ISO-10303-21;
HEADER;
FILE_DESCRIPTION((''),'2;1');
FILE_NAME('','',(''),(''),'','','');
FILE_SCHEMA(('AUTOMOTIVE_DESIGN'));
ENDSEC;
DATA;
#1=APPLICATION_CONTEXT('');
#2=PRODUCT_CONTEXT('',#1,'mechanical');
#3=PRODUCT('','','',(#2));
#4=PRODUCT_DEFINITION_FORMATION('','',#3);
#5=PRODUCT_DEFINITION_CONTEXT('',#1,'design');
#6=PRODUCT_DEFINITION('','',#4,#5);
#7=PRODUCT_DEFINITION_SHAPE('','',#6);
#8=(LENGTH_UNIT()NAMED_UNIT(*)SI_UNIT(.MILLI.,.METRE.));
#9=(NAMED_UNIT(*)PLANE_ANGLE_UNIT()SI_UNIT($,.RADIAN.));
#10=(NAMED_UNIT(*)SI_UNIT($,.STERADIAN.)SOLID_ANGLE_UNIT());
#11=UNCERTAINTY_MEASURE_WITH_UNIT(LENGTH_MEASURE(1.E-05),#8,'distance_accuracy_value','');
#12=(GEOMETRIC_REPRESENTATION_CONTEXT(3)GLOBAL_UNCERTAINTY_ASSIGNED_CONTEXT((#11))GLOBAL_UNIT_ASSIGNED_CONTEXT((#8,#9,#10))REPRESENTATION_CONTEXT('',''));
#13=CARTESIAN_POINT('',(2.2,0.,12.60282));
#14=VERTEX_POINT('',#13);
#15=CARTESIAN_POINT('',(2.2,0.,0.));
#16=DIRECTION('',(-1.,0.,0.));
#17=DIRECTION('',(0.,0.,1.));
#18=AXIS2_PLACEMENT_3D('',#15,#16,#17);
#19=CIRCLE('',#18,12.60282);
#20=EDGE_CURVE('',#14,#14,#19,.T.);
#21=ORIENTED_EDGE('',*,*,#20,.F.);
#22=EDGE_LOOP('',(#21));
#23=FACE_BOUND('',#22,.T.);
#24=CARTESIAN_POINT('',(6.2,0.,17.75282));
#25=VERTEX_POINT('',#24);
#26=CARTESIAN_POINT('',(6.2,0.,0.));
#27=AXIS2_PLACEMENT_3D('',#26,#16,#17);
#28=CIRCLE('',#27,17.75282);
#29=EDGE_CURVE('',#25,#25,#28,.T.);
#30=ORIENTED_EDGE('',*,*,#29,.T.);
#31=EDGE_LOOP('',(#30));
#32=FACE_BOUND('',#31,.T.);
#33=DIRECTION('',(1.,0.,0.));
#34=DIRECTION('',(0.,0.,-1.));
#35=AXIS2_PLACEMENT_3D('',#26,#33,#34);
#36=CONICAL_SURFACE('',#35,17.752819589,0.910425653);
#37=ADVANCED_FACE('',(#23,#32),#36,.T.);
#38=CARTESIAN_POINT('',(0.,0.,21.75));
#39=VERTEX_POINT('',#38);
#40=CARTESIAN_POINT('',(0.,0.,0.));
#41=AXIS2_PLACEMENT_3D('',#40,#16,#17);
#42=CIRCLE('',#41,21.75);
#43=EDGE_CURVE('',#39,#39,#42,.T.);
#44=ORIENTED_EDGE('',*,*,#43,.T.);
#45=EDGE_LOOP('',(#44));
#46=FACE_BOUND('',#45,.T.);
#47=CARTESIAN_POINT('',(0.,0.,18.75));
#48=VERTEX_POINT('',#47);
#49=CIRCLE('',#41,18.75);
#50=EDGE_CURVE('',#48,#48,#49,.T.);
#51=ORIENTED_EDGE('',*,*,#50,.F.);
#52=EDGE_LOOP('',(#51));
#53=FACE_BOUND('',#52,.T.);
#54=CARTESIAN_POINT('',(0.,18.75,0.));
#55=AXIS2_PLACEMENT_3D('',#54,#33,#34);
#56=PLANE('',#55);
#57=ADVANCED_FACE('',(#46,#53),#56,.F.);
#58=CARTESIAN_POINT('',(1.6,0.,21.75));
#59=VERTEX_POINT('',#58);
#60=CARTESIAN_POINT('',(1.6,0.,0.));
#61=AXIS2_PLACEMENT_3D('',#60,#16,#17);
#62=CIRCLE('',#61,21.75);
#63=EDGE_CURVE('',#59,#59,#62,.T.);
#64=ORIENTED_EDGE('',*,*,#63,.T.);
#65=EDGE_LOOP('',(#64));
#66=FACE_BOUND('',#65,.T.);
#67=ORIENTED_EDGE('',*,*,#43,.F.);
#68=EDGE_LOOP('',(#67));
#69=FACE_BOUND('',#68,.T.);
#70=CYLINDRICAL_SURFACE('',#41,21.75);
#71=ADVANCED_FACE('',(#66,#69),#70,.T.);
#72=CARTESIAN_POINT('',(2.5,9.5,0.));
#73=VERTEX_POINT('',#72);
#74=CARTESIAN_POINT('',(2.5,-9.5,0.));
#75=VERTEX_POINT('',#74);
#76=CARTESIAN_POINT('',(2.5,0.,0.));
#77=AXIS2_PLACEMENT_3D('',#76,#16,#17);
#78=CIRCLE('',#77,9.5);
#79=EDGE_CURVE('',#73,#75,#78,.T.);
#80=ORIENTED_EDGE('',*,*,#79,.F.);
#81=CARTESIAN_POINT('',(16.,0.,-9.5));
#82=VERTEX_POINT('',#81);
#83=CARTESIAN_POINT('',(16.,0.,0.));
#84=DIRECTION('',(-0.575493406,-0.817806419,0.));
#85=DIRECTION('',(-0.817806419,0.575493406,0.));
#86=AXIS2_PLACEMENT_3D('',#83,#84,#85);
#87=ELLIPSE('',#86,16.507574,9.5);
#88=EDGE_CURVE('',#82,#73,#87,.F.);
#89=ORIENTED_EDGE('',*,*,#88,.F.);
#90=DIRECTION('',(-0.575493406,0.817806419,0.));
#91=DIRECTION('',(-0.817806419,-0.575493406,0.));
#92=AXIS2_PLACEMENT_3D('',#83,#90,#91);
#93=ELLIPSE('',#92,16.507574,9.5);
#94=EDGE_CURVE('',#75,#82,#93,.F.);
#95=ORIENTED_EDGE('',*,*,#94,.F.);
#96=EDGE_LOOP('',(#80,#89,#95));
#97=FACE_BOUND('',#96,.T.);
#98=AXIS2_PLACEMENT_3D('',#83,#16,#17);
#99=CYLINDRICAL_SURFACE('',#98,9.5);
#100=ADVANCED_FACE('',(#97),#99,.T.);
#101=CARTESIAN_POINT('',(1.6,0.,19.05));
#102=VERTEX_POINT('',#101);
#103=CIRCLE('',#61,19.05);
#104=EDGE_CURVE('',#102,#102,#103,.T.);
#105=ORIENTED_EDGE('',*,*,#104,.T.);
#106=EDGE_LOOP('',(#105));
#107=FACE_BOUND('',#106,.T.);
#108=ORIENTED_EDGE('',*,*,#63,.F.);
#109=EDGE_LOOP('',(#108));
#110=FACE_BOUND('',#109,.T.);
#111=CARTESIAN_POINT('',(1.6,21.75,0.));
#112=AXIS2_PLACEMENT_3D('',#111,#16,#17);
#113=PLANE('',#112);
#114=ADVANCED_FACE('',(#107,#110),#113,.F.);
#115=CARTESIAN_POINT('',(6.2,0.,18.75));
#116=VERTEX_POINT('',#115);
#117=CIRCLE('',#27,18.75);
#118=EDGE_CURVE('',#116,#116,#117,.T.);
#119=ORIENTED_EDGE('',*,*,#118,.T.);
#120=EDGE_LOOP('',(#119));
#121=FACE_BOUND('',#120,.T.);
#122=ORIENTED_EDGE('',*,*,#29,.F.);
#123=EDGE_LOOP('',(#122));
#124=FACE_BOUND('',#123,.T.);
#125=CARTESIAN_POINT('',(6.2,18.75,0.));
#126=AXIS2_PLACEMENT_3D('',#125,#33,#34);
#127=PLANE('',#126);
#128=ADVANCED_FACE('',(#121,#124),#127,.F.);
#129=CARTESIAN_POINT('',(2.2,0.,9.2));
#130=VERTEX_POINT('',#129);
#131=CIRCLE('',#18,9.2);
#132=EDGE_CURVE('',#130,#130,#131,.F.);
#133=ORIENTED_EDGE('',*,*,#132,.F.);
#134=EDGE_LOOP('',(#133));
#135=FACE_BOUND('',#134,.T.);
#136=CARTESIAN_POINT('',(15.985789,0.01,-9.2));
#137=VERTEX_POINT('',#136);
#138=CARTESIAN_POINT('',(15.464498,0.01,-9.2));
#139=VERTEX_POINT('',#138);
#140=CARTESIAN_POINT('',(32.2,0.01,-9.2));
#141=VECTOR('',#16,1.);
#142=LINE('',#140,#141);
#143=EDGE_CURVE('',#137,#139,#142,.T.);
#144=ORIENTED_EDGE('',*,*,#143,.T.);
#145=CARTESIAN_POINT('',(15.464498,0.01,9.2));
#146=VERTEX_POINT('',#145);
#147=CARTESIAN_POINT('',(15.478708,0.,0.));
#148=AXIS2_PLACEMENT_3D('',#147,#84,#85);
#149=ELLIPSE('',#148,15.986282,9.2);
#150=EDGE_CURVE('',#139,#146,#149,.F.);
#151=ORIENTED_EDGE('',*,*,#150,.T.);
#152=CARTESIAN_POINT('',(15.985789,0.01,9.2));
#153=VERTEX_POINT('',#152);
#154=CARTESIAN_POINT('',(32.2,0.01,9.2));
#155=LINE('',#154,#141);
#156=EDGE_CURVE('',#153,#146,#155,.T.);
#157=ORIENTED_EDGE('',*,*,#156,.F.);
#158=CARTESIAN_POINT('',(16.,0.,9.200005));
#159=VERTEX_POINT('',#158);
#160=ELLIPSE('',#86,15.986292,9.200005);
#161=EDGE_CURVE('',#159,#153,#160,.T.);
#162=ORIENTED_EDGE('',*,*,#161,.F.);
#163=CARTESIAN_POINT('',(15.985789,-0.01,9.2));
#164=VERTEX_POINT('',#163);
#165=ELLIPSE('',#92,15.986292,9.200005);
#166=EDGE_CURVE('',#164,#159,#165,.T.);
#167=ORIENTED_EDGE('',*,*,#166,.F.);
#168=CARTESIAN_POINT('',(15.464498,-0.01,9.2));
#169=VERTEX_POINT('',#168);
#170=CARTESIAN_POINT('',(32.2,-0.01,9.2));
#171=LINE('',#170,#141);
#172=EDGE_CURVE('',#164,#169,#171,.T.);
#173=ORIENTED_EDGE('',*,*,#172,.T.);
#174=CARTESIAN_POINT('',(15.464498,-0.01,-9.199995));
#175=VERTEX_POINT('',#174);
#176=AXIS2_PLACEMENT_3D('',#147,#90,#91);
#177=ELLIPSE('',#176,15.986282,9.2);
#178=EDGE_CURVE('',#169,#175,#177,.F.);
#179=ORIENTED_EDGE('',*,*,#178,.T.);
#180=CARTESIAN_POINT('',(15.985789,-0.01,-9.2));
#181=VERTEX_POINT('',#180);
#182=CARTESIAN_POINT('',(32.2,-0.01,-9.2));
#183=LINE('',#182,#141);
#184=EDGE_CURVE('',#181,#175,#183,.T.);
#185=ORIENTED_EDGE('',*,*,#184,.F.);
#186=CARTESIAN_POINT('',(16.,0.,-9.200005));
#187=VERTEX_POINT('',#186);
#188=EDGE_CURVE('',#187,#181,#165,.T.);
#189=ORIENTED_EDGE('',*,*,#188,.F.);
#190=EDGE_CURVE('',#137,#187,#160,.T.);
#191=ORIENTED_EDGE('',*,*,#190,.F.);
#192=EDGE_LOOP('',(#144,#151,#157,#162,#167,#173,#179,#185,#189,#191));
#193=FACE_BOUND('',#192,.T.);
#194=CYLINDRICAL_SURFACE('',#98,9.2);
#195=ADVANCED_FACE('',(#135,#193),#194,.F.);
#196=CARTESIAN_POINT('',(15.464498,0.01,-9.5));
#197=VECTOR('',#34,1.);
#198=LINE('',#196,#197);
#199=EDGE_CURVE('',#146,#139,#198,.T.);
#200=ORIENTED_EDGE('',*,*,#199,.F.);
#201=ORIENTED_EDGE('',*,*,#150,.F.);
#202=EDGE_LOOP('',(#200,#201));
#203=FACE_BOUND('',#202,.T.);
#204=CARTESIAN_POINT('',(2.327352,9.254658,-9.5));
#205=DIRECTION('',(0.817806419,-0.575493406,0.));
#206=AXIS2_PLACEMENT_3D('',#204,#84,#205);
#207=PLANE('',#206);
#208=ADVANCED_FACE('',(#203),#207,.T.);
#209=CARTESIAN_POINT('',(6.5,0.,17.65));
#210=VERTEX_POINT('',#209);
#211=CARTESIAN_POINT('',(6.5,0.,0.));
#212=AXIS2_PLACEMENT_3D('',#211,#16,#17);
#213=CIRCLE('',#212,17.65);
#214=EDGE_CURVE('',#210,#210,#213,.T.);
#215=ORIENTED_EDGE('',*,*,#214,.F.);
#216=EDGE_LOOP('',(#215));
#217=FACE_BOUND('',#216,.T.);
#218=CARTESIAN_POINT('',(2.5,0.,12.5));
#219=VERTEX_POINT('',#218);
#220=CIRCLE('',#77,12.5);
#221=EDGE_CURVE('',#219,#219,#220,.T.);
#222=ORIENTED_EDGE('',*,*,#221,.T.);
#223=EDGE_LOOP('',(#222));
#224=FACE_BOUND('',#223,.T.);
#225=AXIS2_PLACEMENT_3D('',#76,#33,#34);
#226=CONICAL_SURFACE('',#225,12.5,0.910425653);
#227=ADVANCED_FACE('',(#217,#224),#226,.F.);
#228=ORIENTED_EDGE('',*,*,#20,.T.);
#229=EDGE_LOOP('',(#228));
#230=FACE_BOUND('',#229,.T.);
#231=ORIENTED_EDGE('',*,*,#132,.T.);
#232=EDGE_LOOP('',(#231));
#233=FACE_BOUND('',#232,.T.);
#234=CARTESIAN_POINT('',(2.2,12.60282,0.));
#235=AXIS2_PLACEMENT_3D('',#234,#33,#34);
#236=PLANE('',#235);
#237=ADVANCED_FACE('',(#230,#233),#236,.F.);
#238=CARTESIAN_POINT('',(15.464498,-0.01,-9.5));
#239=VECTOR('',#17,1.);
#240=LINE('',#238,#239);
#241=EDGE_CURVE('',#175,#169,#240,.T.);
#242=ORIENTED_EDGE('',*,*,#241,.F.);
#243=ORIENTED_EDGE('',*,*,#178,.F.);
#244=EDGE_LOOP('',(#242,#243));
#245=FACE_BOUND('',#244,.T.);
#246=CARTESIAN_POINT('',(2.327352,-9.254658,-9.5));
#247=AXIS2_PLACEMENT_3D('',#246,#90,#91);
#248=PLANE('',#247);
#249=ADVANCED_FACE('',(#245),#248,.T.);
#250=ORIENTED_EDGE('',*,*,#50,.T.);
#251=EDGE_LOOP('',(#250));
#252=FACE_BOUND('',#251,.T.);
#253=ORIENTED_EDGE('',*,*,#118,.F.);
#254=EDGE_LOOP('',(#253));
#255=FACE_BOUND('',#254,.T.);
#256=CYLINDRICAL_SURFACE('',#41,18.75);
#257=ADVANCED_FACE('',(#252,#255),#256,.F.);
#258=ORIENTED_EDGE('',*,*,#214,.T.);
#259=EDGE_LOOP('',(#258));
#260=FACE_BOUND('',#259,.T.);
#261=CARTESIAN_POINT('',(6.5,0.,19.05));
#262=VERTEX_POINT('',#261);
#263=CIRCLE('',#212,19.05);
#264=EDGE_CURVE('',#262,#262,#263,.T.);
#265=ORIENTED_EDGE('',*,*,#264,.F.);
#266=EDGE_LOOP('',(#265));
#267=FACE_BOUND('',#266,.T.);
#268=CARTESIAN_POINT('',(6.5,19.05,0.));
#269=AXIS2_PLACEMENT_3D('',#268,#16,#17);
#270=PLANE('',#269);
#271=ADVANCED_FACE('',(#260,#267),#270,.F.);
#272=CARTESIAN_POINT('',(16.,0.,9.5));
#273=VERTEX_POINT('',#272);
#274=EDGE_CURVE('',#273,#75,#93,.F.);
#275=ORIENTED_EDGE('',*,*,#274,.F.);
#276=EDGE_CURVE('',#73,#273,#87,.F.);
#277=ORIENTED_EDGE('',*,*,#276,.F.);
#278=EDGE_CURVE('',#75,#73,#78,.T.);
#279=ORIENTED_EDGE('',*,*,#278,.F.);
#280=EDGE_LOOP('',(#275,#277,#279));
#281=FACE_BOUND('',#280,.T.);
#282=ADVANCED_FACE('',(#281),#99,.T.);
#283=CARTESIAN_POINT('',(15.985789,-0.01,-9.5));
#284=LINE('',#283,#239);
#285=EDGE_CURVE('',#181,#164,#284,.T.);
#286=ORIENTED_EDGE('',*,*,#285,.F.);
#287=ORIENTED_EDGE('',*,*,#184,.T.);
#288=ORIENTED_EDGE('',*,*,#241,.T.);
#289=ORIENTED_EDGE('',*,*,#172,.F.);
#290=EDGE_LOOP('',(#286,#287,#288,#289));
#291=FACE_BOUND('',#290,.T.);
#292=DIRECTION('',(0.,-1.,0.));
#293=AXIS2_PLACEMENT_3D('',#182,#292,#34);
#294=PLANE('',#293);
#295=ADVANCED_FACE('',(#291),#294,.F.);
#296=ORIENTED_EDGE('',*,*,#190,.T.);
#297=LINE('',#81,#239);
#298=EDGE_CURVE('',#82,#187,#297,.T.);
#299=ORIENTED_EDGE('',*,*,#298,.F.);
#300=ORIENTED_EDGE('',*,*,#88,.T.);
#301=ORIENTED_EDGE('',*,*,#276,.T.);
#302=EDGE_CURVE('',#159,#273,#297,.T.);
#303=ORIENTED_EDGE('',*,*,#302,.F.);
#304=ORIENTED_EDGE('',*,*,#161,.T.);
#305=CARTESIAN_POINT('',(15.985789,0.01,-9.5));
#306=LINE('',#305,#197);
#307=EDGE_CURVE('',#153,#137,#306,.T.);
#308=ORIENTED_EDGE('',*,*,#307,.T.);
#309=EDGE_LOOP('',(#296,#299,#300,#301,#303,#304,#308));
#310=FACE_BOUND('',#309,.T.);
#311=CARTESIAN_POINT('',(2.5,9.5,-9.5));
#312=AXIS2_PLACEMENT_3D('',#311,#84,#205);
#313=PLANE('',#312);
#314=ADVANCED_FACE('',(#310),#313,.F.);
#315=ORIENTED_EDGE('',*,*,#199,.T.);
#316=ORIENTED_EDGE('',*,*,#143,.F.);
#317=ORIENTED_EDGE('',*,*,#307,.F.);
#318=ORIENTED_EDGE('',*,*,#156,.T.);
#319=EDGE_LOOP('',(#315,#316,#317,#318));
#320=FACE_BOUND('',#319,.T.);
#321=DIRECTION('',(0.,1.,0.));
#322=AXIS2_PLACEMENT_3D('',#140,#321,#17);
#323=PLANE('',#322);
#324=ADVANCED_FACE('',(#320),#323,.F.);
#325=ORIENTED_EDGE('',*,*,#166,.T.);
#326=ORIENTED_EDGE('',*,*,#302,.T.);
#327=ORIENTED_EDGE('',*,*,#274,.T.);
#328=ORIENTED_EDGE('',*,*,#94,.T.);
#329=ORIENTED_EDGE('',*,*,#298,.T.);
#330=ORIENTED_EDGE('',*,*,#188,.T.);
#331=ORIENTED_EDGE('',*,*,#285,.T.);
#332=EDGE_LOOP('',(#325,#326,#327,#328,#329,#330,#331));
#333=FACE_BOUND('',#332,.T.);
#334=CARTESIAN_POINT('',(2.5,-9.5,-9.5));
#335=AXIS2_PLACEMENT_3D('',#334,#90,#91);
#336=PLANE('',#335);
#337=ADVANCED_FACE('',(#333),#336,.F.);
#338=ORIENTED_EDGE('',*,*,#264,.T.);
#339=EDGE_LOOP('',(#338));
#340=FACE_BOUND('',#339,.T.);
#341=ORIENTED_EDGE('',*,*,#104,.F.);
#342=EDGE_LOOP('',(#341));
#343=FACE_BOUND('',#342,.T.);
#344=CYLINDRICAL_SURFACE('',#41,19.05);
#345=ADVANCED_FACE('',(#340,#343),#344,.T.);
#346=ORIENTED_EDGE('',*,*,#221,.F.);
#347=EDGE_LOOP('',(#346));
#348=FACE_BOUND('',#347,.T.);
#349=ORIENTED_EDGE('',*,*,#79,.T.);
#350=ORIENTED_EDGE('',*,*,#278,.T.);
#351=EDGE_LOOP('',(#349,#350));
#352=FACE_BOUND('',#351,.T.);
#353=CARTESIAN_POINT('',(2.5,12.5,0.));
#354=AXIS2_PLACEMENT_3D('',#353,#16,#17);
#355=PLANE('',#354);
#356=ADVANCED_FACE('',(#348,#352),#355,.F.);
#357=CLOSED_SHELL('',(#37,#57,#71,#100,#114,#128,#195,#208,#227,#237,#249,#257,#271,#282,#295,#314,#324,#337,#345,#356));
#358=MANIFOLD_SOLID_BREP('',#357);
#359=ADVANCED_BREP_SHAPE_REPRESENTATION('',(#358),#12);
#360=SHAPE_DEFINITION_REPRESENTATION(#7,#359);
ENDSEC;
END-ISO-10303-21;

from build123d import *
from build123d.topology import SkipClean

# Parameters (mm, degrees)
SKETCH3_R               = 9.5
BOSS_EXTRUDE1_DEPTH     = 16
CUT_EXTRUDE1_DEPTH      = 21.892582416
CUT_EXTRUDE1_DEPTH_BACK = 21.892582416
SHELL7_T                = -0.3
SKETCH8_R               = 10.705762979
CUT_EXTRUDE5_DEPTH      = 10
CUT_EXTRUDE6_DEPTH      = 30


with BuildPart() as part:
    # Sketch3 → Boss-Extrude1 (new body)
    with BuildSketch(Plane.ZY):
        Circle(SKETCH3_R)
    extrude(amount=-BOSS_EXTRUDE1_DEPTH)

    # Sketch4 → Cut-Extrude1 (cut, two sides: drawn at the far end of the back side and taken through both)
    with BuildSketch(Plane.XY.offset(-CUT_EXTRUDE1_DEPTH_BACK)):
        Polygon((2.5, 9.5), (18.05891099, 17.267926144), (18.05891099, -17.267926144), (2.5, -9.5), (16, 0), align=None)
    extrude(amount=CUT_EXTRUDE1_DEPTH + CUT_EXTRUDE1_DEPTH_BACK, mode=Mode.SUBTRACT)

    # Shell7
    shell7_openings = [part.faces().sort_by_distance(p)[0] for p in [
        (0, 0, 0),
    ]]
    offset(amount=SHELL7_T, openings=shell7_openings, kind=Kind.INTERSECTION)

    # Sketch1 → Revolve1 (revolve)
    with SkipClean():  # the faces are left unmerged after this step: merging them gives an invalid solid
        with BuildSketch(Plane.XY, mode=Mode.PRIVATE) as revolve1_sk:
            Polygon((0, 18.75), (0, 21.75), (1.6, 21.75), (1.6, 19.05), (6.5, 19.05), (6.5, 17.65), (2.5, 12.5), (2.5, 9.5), (2.2, 9.5), (2.2, 12.602819589), (6.2, 17.752819589), (6.2, 18.75), align=None)
        revolve(revolve1_sk.sketch.rotate(Axis((0, 0, 0), (1, 0, 0)), 90), axis=Axis((0, 0, 0), (1, 0, 0)))

    # Sketch8 → Cut-Extrude5 (cut)
    with SkipClean():  # the faces are left unmerged after this step: merging them gives an invalid solid
        with BuildSketch(Plane.ZY.offset(-2.2)):
            Circle(SKETCH8_R)
        extrude(amount=CUT_EXTRUDE5_DEPTH, mode=Mode.SUBTRACT)

    # Sketch9 → Cut-Extrude6 (cut)
    with SkipClean():  # the faces are left unmerged after this step: merging them gives an invalid solid
        with BuildSketch(Plane.ZY.offset(-2.2)):
            with BuildLine():
                Line((-9.2, -0.01), (9.2, -0.01))
                ThreePointArc((9.2, -0.01), (9.200005435, 0), (9.2, 0.01))
                Line((9.2, 0.01), (-9.2, 0.01))
                ThreePointArc((-9.2, 0.01), (-9.200005435, 0), (-9.2, -0.01))
            make_face()
        extrude(amount=-CUT_EXTRUDE6_DEPTH, mode=Mode.SUBTRACT)


solid = part.part
